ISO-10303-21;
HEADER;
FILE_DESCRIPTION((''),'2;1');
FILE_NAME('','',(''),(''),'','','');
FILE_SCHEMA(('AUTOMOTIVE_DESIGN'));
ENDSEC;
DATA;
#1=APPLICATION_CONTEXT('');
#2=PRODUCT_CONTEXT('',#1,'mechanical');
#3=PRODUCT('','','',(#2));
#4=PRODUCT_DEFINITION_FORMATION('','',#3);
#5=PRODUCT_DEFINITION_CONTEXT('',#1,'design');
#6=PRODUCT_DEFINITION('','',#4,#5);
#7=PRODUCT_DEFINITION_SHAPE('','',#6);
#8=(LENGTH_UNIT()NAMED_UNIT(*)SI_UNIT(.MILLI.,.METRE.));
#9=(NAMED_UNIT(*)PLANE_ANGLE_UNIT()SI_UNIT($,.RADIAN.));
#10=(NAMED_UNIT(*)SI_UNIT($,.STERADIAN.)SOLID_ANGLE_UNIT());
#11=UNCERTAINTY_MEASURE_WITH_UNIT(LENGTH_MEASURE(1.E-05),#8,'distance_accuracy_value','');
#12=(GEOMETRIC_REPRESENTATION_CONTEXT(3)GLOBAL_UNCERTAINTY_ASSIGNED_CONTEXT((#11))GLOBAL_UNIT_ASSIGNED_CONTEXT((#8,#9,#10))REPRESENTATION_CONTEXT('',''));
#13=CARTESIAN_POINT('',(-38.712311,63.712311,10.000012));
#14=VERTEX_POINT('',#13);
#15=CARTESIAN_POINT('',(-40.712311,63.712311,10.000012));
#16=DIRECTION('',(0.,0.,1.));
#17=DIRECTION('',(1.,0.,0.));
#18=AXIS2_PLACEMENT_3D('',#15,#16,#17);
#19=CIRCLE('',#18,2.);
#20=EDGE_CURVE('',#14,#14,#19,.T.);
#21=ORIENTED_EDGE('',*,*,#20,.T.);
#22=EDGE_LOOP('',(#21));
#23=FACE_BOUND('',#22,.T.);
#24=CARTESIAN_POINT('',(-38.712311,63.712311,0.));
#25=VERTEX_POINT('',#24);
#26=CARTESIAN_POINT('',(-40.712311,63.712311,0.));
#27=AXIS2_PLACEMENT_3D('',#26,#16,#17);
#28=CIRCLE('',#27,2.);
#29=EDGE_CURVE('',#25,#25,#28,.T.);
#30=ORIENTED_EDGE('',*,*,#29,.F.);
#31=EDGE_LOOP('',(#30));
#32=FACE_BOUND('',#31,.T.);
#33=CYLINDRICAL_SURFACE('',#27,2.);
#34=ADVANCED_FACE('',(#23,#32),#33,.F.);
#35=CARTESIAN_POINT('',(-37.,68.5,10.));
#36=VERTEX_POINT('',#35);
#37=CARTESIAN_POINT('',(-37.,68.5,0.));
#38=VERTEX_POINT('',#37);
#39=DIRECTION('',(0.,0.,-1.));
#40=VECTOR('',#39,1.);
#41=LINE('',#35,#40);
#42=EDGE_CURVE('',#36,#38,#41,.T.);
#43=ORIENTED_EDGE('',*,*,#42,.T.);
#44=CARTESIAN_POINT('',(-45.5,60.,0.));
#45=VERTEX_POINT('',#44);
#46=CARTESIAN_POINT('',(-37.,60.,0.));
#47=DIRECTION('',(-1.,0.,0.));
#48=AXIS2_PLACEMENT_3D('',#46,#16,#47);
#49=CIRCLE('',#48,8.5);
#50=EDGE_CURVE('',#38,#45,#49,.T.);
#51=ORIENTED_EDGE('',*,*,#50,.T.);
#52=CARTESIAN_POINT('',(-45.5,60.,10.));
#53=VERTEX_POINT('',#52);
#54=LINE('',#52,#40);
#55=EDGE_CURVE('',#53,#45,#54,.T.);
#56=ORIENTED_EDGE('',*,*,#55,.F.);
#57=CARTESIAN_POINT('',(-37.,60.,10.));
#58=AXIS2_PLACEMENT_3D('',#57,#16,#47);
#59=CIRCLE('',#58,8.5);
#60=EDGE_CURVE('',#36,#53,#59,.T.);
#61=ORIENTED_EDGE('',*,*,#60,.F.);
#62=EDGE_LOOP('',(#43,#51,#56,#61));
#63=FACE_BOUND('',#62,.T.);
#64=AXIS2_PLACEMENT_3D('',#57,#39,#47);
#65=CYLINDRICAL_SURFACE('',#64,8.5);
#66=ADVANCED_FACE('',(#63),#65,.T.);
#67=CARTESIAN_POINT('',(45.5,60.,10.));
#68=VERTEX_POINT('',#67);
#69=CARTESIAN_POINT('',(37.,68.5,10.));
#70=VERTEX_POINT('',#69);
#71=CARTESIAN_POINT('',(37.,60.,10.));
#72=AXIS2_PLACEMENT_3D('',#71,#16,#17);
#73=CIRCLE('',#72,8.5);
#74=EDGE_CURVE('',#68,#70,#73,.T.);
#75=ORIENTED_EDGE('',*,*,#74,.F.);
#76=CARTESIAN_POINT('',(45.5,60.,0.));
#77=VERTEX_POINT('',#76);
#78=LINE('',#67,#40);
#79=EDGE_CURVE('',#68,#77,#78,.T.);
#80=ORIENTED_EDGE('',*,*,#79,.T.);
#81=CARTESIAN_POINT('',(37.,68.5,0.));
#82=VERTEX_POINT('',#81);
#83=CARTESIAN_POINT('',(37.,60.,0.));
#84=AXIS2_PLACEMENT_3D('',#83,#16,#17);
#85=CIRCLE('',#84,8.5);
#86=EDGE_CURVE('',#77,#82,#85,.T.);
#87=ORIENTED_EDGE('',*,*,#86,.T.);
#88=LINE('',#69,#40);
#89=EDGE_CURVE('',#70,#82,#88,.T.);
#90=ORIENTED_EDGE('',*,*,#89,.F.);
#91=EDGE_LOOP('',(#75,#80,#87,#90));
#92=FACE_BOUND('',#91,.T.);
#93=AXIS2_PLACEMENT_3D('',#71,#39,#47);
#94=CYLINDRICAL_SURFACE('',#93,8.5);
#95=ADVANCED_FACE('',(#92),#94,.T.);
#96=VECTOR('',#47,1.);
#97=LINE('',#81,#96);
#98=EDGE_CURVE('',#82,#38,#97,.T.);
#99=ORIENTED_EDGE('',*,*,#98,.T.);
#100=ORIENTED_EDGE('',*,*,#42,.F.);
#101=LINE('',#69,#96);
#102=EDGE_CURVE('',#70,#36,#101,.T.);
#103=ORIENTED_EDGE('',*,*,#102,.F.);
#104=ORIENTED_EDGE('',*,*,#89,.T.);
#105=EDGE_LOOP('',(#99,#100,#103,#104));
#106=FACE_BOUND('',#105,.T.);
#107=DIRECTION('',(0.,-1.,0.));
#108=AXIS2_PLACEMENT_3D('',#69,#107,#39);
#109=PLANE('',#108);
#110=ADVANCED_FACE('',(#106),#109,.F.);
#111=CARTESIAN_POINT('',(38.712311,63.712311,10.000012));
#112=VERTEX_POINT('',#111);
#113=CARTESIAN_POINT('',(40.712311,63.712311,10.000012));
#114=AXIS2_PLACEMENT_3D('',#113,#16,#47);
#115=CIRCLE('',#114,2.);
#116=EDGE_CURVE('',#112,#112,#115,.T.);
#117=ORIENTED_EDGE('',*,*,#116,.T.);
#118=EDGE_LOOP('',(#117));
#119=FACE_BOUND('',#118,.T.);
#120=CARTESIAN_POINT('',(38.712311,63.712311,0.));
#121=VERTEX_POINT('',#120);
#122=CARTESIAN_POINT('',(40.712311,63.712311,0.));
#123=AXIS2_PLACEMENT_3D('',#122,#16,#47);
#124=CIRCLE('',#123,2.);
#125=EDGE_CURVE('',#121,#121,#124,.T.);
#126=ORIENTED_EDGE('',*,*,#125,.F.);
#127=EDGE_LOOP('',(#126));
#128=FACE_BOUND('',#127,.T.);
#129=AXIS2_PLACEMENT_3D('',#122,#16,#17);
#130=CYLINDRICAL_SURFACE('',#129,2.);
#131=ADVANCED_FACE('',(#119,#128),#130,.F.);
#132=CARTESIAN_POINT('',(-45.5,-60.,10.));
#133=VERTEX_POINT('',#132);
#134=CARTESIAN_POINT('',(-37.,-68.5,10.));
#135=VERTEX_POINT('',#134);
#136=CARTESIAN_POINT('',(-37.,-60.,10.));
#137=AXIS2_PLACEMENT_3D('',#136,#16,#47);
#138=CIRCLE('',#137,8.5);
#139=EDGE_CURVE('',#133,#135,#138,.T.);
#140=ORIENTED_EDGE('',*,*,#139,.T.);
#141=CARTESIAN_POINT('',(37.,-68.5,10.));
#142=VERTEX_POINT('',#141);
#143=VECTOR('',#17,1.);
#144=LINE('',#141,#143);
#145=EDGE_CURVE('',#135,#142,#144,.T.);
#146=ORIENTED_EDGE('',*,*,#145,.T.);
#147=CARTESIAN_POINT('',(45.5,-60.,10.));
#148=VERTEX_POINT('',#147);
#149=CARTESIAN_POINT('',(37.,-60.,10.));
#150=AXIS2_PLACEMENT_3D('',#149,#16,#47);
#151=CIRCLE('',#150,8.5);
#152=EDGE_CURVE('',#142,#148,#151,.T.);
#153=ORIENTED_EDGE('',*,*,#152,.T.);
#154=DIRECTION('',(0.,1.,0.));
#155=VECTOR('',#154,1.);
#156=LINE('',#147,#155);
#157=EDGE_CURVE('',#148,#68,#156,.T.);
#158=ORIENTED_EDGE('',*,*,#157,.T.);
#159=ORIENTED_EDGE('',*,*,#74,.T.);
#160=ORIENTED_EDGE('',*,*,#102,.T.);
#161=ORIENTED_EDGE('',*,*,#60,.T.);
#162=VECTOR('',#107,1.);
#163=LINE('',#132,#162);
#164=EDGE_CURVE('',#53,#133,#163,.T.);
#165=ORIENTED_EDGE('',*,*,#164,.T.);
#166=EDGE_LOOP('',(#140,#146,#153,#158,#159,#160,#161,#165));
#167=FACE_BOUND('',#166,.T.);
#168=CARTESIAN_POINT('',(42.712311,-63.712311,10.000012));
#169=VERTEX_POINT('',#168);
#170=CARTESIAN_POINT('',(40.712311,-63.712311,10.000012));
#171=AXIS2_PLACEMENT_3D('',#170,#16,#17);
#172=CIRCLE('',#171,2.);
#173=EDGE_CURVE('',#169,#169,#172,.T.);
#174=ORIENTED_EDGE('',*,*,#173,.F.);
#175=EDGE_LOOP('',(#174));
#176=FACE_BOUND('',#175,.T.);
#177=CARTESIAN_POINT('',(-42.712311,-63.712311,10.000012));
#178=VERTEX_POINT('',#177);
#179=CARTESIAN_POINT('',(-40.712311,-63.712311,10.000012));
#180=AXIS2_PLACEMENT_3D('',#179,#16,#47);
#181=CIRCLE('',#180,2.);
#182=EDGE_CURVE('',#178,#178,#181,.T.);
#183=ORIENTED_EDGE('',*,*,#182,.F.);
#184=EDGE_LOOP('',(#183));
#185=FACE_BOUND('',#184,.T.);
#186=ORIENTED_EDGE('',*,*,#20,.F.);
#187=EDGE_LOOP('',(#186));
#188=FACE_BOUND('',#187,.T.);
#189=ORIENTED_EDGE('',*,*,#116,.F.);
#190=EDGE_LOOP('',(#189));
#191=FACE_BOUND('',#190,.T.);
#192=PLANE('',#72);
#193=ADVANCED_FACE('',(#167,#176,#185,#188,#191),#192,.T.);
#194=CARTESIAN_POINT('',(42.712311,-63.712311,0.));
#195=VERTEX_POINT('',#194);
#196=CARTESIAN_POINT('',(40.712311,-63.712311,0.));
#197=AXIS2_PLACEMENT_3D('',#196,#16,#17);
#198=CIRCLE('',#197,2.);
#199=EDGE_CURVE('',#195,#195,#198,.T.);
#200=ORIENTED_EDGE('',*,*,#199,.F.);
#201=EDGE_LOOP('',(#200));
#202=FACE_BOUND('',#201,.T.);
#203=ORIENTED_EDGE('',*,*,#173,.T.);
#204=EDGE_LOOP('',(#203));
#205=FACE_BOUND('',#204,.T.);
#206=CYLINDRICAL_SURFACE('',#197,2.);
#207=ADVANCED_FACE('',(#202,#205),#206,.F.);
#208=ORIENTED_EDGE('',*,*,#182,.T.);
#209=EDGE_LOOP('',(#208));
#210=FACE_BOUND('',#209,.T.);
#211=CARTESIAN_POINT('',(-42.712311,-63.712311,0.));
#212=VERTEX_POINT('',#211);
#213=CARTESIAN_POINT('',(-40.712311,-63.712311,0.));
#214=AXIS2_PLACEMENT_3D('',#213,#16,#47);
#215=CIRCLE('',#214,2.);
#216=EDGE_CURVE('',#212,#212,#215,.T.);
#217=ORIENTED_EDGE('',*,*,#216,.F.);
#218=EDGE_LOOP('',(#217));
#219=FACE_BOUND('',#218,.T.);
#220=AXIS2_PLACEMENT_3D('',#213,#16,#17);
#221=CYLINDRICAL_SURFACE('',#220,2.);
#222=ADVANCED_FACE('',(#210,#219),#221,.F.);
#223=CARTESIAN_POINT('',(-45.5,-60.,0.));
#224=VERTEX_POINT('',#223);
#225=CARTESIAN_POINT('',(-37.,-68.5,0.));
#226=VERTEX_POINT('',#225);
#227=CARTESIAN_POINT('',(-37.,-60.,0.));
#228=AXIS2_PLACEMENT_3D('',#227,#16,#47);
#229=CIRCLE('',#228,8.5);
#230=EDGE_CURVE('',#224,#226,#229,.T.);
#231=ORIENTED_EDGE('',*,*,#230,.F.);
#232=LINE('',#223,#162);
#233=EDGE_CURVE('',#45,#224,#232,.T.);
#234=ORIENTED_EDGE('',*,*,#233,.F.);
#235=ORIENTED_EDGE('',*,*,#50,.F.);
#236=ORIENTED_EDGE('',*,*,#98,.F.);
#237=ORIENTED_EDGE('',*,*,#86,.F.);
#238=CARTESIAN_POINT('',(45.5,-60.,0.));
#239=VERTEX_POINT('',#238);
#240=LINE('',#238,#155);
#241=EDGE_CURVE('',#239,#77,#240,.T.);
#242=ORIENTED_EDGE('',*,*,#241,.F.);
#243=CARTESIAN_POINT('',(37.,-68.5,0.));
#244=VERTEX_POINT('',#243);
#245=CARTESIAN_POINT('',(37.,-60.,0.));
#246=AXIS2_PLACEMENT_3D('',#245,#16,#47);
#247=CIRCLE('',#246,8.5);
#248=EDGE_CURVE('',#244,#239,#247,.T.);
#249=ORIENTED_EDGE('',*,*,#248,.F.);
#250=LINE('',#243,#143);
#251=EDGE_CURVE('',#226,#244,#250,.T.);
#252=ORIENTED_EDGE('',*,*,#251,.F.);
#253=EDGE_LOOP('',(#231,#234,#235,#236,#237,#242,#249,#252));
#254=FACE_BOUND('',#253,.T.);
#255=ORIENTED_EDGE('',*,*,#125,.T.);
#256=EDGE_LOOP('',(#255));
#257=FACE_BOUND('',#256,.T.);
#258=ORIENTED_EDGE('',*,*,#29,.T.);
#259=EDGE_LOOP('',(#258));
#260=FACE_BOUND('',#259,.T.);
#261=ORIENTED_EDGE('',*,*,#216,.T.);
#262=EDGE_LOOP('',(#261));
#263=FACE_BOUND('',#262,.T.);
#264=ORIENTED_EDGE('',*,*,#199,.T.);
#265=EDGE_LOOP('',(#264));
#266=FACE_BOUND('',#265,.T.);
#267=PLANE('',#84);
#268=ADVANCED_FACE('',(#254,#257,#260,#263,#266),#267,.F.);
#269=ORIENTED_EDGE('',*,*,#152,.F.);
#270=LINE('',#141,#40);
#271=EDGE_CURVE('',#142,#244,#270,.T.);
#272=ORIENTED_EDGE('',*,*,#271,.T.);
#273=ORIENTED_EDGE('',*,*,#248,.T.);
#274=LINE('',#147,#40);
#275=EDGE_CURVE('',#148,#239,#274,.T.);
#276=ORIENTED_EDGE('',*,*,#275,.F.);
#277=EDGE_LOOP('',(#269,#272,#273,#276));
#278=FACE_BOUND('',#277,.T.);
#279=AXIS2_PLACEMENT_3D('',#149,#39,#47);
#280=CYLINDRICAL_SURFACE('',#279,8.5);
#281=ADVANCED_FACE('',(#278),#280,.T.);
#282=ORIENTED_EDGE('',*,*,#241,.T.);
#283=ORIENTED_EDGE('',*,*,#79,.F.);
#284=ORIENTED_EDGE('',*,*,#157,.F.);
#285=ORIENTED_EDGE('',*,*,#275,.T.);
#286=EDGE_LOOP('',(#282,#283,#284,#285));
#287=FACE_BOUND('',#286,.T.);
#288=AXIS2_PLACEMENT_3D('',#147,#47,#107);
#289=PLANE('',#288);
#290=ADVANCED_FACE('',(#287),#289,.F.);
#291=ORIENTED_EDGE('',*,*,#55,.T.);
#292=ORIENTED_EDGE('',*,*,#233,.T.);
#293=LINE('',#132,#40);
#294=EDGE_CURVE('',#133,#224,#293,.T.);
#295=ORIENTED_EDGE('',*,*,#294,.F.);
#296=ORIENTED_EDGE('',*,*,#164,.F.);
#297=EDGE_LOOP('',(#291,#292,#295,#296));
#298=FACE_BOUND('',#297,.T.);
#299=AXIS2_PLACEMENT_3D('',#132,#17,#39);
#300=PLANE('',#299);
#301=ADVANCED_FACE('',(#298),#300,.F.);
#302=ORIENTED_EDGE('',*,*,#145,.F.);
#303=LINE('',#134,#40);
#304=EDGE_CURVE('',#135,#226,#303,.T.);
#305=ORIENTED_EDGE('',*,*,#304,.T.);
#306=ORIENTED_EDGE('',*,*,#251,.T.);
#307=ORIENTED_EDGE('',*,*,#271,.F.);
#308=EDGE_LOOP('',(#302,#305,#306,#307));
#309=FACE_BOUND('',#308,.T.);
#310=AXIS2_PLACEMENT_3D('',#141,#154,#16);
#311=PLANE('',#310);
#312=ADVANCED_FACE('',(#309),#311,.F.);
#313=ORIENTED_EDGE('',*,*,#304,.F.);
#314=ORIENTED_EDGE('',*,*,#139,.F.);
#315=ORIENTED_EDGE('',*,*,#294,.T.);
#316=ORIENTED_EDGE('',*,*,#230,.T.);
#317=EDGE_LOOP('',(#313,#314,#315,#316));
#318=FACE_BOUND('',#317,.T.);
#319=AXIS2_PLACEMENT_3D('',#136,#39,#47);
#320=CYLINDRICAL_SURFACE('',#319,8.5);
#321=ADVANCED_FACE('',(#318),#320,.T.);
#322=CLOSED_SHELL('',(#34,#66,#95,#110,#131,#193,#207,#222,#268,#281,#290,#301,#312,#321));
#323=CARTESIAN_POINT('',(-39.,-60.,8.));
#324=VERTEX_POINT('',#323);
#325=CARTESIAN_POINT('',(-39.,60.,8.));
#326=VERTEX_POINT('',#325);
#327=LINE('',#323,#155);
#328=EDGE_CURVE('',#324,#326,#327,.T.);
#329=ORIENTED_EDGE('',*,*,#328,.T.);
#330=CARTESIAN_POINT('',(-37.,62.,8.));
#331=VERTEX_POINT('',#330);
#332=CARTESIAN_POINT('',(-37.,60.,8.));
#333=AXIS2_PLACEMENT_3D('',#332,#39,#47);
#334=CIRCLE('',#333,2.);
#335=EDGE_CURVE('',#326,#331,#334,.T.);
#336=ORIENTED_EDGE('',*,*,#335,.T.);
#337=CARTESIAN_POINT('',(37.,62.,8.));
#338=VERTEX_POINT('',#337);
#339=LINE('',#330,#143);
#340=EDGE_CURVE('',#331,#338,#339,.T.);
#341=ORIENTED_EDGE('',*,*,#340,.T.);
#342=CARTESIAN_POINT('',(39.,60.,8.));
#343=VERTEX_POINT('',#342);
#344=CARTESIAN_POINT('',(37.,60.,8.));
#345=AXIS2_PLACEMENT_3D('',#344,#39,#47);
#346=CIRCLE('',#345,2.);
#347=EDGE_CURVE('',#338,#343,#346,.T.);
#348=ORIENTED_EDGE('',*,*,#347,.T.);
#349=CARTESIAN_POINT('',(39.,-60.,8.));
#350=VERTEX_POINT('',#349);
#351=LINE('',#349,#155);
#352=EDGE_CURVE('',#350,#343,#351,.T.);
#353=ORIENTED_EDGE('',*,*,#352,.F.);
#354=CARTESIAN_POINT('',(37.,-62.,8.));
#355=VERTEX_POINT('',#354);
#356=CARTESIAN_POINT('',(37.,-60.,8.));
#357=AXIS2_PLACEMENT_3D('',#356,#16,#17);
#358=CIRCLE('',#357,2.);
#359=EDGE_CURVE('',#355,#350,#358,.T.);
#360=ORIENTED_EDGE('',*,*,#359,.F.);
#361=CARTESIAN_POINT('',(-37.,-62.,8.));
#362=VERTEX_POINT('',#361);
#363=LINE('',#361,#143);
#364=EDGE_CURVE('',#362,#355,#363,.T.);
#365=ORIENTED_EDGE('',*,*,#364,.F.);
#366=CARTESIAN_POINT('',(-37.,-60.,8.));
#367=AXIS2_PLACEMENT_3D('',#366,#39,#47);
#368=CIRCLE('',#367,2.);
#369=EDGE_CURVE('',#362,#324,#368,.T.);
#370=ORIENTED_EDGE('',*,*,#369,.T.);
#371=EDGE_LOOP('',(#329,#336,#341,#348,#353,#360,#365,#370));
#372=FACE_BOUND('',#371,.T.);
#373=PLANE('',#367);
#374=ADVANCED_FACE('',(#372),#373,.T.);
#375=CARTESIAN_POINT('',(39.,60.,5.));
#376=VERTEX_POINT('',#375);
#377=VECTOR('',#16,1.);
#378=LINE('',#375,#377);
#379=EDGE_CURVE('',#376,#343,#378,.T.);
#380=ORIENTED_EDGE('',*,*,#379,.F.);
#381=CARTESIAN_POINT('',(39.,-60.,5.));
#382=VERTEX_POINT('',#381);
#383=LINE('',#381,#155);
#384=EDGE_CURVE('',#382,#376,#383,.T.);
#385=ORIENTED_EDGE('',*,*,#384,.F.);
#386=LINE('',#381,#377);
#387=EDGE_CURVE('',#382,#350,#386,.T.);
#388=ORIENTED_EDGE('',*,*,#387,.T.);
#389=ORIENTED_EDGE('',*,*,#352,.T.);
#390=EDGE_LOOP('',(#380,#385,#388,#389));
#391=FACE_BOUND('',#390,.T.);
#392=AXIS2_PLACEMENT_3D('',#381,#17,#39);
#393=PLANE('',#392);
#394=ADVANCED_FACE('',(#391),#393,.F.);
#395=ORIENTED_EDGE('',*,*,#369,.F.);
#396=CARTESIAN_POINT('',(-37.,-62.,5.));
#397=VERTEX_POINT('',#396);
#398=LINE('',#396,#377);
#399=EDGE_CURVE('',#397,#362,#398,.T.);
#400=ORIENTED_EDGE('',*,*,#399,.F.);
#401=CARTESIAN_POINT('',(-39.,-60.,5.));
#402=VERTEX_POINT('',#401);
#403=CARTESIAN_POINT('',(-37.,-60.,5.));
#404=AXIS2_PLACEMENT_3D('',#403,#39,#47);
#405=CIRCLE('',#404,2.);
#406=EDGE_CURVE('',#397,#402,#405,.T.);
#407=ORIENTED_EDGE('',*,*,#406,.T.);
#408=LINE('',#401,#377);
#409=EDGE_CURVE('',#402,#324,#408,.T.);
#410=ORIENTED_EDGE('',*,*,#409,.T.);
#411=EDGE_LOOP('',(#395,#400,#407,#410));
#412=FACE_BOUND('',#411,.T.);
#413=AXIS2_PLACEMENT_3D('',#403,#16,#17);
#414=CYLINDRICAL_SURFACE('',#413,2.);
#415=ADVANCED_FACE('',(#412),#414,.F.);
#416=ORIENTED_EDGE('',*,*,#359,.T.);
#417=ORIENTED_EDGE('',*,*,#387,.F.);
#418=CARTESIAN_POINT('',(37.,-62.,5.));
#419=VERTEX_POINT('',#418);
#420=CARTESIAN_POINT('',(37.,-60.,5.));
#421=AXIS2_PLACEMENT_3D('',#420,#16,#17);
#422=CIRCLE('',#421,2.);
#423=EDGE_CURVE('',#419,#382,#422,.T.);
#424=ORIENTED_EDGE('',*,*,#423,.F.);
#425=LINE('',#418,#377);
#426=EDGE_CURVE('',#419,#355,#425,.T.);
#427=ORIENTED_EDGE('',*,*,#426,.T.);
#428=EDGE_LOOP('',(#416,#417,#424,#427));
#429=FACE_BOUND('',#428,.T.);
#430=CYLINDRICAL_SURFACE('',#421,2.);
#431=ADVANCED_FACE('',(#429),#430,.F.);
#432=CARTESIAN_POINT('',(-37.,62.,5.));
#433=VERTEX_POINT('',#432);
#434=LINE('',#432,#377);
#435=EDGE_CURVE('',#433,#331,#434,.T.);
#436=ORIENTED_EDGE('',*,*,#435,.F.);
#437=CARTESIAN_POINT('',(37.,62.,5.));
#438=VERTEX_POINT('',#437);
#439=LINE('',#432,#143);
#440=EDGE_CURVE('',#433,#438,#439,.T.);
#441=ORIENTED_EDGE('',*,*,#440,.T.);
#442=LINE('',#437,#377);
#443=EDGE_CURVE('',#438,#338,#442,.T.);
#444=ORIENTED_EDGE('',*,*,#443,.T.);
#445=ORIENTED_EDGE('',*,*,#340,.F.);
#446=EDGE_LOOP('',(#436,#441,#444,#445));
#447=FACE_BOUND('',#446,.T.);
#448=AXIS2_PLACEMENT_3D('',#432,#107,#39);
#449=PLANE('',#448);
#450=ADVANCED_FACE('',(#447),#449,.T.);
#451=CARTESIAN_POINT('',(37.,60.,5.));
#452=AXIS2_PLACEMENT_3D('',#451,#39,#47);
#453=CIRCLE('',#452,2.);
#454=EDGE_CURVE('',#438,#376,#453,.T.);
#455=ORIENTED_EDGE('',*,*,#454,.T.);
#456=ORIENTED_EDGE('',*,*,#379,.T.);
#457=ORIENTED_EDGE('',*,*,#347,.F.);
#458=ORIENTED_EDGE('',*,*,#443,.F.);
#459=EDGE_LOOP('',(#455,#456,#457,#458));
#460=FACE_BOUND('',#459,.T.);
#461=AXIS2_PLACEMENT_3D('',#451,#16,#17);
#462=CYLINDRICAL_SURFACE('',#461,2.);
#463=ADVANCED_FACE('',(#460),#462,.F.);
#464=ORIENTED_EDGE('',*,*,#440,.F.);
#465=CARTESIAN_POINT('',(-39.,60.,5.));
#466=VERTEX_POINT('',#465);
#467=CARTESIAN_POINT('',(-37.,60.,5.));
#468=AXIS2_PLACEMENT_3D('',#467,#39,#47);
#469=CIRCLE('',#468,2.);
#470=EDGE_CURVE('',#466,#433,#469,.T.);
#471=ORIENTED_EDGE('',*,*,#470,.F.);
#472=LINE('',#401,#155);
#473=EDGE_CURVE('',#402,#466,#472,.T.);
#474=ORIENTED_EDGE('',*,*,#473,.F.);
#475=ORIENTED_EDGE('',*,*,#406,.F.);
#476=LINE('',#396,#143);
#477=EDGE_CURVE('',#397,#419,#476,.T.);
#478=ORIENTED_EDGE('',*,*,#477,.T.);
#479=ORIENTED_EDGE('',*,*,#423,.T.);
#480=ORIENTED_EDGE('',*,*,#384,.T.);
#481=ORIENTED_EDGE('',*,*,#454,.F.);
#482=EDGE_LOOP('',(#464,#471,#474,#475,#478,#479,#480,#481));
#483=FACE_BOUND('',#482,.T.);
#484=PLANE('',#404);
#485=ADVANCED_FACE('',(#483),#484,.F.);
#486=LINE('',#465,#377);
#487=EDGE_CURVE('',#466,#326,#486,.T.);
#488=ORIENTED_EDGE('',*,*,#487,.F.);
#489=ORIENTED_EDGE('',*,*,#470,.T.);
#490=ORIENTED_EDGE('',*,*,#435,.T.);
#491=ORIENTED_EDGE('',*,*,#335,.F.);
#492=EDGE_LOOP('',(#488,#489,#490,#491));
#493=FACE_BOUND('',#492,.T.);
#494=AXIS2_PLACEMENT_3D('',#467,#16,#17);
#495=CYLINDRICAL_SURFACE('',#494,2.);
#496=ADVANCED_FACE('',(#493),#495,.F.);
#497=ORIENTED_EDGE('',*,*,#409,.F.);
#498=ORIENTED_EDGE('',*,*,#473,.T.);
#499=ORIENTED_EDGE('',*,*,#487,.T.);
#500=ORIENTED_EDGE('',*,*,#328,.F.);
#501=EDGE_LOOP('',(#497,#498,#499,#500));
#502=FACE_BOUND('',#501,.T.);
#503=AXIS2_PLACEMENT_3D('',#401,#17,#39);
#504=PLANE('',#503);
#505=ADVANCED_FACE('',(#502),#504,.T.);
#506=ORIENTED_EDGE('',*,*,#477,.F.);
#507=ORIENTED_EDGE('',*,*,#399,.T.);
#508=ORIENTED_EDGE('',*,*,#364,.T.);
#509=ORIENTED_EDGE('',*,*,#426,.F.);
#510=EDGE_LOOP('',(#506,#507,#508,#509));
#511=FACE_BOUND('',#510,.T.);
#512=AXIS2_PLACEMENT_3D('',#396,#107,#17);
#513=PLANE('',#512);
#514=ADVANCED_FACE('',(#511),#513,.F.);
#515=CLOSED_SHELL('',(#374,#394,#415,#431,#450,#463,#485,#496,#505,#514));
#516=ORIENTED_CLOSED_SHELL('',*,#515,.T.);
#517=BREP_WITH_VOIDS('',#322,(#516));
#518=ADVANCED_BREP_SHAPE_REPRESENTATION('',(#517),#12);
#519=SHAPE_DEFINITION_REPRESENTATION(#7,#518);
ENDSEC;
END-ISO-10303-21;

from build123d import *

# Parameters (mm, degrees)
CASE_2_DEPTH            = 10
INTERNAL_START          = -2
INTERNAL_SLOT_DEPTH     = 3
CUT_EXTRUDE1_DEPTH      = 83.840207629
CUT_EXTRUDE1_DEPTH_BACK = 83.840207629
SKETCH3_R               = 2


with BuildPart() as part:
    # Sketch1 → Case 2 (new body)
    with BuildSketch(Plane(origin=(0, 0, 0), x_dir=(0, 1, 0), z_dir=(0, 0, 1))):
        with BuildLine():
            Line((-60, -45.5), (60, -45.5))
            ThreePointArc((60, -45.5), (66.01040764, -43.01040764), (68.5, -37))
            Line((68.5, -37), (68.5, 37))
            ThreePointArc((68.5, 37), (66.01040764, 43.01040764), (60, 45.5))
            Line((60, 45.5), (-60, 45.5))
            ThreePointArc((-60, 45.5), (-66.01040764, 43.01040764), (-68.5, 37))
            Line((-68.5, 37), (-68.5, -37))
            ThreePointArc((-68.5, -37), (-66.01040764, -43.01040764), (-60, -45.5))
        make_face()
    extrude(amount=CASE_2_DEPTH)

    # Sketch2 → internal slot (cut)
    with BuildSketch(Plane.XY.offset(10).offset(INTERNAL_START)):
        with BuildLine():
            Line((-37, -62), (37, -62))
            ThreePointArc((37, -62), (38.414213562, -61.414213562), (39, -60))
            Line((39, -60), (39, 60))
            ThreePointArc((39, 60), (38.414213562, 61.414213562), (37, 62))
            Line((37, 62), (-37, 62))
            ThreePointArc((-37, 62), (-38.414213562, 61.414213562), (-39, 60))
            Line((-39, 60), (-39, -60))
            ThreePointArc((-39, -60), (-38.414213562, -61.414213562), (-37, -62))
        make_face()
    extrude(amount=-INTERNAL_SLOT_DEPTH, mode=Mode.SUBTRACT)

    # Sketch3 → Cut-Extrude1 (cut, two sides: drawn at the far end of the back side and taken through both)
    with BuildSketch(Plane.XY.offset(10).offset(-CUT_EXTRUDE1_DEPTH_BACK)):
        with Locations((-40.712310601, 63.712310601)):
            Circle(SKETCH3_R)
        with Locations(Location((-40.712310601, -63.712310601, 0), (0, 0, 180))):
            Circle(SKETCH3_R)
        with Locations(Location((40.712310601, 63.712310601, 0), (0, 0, 180))):
            Circle(SKETCH3_R)
        with Locations((40.712310601, -63.712310601)):
            Circle(SKETCH3_R)
    extrude(amount=CUT_EXTRUDE1_DEPTH + CUT_EXTRUDE1_DEPTH_BACK, mode=Mode.SUBTRACT)


solid = part.part
